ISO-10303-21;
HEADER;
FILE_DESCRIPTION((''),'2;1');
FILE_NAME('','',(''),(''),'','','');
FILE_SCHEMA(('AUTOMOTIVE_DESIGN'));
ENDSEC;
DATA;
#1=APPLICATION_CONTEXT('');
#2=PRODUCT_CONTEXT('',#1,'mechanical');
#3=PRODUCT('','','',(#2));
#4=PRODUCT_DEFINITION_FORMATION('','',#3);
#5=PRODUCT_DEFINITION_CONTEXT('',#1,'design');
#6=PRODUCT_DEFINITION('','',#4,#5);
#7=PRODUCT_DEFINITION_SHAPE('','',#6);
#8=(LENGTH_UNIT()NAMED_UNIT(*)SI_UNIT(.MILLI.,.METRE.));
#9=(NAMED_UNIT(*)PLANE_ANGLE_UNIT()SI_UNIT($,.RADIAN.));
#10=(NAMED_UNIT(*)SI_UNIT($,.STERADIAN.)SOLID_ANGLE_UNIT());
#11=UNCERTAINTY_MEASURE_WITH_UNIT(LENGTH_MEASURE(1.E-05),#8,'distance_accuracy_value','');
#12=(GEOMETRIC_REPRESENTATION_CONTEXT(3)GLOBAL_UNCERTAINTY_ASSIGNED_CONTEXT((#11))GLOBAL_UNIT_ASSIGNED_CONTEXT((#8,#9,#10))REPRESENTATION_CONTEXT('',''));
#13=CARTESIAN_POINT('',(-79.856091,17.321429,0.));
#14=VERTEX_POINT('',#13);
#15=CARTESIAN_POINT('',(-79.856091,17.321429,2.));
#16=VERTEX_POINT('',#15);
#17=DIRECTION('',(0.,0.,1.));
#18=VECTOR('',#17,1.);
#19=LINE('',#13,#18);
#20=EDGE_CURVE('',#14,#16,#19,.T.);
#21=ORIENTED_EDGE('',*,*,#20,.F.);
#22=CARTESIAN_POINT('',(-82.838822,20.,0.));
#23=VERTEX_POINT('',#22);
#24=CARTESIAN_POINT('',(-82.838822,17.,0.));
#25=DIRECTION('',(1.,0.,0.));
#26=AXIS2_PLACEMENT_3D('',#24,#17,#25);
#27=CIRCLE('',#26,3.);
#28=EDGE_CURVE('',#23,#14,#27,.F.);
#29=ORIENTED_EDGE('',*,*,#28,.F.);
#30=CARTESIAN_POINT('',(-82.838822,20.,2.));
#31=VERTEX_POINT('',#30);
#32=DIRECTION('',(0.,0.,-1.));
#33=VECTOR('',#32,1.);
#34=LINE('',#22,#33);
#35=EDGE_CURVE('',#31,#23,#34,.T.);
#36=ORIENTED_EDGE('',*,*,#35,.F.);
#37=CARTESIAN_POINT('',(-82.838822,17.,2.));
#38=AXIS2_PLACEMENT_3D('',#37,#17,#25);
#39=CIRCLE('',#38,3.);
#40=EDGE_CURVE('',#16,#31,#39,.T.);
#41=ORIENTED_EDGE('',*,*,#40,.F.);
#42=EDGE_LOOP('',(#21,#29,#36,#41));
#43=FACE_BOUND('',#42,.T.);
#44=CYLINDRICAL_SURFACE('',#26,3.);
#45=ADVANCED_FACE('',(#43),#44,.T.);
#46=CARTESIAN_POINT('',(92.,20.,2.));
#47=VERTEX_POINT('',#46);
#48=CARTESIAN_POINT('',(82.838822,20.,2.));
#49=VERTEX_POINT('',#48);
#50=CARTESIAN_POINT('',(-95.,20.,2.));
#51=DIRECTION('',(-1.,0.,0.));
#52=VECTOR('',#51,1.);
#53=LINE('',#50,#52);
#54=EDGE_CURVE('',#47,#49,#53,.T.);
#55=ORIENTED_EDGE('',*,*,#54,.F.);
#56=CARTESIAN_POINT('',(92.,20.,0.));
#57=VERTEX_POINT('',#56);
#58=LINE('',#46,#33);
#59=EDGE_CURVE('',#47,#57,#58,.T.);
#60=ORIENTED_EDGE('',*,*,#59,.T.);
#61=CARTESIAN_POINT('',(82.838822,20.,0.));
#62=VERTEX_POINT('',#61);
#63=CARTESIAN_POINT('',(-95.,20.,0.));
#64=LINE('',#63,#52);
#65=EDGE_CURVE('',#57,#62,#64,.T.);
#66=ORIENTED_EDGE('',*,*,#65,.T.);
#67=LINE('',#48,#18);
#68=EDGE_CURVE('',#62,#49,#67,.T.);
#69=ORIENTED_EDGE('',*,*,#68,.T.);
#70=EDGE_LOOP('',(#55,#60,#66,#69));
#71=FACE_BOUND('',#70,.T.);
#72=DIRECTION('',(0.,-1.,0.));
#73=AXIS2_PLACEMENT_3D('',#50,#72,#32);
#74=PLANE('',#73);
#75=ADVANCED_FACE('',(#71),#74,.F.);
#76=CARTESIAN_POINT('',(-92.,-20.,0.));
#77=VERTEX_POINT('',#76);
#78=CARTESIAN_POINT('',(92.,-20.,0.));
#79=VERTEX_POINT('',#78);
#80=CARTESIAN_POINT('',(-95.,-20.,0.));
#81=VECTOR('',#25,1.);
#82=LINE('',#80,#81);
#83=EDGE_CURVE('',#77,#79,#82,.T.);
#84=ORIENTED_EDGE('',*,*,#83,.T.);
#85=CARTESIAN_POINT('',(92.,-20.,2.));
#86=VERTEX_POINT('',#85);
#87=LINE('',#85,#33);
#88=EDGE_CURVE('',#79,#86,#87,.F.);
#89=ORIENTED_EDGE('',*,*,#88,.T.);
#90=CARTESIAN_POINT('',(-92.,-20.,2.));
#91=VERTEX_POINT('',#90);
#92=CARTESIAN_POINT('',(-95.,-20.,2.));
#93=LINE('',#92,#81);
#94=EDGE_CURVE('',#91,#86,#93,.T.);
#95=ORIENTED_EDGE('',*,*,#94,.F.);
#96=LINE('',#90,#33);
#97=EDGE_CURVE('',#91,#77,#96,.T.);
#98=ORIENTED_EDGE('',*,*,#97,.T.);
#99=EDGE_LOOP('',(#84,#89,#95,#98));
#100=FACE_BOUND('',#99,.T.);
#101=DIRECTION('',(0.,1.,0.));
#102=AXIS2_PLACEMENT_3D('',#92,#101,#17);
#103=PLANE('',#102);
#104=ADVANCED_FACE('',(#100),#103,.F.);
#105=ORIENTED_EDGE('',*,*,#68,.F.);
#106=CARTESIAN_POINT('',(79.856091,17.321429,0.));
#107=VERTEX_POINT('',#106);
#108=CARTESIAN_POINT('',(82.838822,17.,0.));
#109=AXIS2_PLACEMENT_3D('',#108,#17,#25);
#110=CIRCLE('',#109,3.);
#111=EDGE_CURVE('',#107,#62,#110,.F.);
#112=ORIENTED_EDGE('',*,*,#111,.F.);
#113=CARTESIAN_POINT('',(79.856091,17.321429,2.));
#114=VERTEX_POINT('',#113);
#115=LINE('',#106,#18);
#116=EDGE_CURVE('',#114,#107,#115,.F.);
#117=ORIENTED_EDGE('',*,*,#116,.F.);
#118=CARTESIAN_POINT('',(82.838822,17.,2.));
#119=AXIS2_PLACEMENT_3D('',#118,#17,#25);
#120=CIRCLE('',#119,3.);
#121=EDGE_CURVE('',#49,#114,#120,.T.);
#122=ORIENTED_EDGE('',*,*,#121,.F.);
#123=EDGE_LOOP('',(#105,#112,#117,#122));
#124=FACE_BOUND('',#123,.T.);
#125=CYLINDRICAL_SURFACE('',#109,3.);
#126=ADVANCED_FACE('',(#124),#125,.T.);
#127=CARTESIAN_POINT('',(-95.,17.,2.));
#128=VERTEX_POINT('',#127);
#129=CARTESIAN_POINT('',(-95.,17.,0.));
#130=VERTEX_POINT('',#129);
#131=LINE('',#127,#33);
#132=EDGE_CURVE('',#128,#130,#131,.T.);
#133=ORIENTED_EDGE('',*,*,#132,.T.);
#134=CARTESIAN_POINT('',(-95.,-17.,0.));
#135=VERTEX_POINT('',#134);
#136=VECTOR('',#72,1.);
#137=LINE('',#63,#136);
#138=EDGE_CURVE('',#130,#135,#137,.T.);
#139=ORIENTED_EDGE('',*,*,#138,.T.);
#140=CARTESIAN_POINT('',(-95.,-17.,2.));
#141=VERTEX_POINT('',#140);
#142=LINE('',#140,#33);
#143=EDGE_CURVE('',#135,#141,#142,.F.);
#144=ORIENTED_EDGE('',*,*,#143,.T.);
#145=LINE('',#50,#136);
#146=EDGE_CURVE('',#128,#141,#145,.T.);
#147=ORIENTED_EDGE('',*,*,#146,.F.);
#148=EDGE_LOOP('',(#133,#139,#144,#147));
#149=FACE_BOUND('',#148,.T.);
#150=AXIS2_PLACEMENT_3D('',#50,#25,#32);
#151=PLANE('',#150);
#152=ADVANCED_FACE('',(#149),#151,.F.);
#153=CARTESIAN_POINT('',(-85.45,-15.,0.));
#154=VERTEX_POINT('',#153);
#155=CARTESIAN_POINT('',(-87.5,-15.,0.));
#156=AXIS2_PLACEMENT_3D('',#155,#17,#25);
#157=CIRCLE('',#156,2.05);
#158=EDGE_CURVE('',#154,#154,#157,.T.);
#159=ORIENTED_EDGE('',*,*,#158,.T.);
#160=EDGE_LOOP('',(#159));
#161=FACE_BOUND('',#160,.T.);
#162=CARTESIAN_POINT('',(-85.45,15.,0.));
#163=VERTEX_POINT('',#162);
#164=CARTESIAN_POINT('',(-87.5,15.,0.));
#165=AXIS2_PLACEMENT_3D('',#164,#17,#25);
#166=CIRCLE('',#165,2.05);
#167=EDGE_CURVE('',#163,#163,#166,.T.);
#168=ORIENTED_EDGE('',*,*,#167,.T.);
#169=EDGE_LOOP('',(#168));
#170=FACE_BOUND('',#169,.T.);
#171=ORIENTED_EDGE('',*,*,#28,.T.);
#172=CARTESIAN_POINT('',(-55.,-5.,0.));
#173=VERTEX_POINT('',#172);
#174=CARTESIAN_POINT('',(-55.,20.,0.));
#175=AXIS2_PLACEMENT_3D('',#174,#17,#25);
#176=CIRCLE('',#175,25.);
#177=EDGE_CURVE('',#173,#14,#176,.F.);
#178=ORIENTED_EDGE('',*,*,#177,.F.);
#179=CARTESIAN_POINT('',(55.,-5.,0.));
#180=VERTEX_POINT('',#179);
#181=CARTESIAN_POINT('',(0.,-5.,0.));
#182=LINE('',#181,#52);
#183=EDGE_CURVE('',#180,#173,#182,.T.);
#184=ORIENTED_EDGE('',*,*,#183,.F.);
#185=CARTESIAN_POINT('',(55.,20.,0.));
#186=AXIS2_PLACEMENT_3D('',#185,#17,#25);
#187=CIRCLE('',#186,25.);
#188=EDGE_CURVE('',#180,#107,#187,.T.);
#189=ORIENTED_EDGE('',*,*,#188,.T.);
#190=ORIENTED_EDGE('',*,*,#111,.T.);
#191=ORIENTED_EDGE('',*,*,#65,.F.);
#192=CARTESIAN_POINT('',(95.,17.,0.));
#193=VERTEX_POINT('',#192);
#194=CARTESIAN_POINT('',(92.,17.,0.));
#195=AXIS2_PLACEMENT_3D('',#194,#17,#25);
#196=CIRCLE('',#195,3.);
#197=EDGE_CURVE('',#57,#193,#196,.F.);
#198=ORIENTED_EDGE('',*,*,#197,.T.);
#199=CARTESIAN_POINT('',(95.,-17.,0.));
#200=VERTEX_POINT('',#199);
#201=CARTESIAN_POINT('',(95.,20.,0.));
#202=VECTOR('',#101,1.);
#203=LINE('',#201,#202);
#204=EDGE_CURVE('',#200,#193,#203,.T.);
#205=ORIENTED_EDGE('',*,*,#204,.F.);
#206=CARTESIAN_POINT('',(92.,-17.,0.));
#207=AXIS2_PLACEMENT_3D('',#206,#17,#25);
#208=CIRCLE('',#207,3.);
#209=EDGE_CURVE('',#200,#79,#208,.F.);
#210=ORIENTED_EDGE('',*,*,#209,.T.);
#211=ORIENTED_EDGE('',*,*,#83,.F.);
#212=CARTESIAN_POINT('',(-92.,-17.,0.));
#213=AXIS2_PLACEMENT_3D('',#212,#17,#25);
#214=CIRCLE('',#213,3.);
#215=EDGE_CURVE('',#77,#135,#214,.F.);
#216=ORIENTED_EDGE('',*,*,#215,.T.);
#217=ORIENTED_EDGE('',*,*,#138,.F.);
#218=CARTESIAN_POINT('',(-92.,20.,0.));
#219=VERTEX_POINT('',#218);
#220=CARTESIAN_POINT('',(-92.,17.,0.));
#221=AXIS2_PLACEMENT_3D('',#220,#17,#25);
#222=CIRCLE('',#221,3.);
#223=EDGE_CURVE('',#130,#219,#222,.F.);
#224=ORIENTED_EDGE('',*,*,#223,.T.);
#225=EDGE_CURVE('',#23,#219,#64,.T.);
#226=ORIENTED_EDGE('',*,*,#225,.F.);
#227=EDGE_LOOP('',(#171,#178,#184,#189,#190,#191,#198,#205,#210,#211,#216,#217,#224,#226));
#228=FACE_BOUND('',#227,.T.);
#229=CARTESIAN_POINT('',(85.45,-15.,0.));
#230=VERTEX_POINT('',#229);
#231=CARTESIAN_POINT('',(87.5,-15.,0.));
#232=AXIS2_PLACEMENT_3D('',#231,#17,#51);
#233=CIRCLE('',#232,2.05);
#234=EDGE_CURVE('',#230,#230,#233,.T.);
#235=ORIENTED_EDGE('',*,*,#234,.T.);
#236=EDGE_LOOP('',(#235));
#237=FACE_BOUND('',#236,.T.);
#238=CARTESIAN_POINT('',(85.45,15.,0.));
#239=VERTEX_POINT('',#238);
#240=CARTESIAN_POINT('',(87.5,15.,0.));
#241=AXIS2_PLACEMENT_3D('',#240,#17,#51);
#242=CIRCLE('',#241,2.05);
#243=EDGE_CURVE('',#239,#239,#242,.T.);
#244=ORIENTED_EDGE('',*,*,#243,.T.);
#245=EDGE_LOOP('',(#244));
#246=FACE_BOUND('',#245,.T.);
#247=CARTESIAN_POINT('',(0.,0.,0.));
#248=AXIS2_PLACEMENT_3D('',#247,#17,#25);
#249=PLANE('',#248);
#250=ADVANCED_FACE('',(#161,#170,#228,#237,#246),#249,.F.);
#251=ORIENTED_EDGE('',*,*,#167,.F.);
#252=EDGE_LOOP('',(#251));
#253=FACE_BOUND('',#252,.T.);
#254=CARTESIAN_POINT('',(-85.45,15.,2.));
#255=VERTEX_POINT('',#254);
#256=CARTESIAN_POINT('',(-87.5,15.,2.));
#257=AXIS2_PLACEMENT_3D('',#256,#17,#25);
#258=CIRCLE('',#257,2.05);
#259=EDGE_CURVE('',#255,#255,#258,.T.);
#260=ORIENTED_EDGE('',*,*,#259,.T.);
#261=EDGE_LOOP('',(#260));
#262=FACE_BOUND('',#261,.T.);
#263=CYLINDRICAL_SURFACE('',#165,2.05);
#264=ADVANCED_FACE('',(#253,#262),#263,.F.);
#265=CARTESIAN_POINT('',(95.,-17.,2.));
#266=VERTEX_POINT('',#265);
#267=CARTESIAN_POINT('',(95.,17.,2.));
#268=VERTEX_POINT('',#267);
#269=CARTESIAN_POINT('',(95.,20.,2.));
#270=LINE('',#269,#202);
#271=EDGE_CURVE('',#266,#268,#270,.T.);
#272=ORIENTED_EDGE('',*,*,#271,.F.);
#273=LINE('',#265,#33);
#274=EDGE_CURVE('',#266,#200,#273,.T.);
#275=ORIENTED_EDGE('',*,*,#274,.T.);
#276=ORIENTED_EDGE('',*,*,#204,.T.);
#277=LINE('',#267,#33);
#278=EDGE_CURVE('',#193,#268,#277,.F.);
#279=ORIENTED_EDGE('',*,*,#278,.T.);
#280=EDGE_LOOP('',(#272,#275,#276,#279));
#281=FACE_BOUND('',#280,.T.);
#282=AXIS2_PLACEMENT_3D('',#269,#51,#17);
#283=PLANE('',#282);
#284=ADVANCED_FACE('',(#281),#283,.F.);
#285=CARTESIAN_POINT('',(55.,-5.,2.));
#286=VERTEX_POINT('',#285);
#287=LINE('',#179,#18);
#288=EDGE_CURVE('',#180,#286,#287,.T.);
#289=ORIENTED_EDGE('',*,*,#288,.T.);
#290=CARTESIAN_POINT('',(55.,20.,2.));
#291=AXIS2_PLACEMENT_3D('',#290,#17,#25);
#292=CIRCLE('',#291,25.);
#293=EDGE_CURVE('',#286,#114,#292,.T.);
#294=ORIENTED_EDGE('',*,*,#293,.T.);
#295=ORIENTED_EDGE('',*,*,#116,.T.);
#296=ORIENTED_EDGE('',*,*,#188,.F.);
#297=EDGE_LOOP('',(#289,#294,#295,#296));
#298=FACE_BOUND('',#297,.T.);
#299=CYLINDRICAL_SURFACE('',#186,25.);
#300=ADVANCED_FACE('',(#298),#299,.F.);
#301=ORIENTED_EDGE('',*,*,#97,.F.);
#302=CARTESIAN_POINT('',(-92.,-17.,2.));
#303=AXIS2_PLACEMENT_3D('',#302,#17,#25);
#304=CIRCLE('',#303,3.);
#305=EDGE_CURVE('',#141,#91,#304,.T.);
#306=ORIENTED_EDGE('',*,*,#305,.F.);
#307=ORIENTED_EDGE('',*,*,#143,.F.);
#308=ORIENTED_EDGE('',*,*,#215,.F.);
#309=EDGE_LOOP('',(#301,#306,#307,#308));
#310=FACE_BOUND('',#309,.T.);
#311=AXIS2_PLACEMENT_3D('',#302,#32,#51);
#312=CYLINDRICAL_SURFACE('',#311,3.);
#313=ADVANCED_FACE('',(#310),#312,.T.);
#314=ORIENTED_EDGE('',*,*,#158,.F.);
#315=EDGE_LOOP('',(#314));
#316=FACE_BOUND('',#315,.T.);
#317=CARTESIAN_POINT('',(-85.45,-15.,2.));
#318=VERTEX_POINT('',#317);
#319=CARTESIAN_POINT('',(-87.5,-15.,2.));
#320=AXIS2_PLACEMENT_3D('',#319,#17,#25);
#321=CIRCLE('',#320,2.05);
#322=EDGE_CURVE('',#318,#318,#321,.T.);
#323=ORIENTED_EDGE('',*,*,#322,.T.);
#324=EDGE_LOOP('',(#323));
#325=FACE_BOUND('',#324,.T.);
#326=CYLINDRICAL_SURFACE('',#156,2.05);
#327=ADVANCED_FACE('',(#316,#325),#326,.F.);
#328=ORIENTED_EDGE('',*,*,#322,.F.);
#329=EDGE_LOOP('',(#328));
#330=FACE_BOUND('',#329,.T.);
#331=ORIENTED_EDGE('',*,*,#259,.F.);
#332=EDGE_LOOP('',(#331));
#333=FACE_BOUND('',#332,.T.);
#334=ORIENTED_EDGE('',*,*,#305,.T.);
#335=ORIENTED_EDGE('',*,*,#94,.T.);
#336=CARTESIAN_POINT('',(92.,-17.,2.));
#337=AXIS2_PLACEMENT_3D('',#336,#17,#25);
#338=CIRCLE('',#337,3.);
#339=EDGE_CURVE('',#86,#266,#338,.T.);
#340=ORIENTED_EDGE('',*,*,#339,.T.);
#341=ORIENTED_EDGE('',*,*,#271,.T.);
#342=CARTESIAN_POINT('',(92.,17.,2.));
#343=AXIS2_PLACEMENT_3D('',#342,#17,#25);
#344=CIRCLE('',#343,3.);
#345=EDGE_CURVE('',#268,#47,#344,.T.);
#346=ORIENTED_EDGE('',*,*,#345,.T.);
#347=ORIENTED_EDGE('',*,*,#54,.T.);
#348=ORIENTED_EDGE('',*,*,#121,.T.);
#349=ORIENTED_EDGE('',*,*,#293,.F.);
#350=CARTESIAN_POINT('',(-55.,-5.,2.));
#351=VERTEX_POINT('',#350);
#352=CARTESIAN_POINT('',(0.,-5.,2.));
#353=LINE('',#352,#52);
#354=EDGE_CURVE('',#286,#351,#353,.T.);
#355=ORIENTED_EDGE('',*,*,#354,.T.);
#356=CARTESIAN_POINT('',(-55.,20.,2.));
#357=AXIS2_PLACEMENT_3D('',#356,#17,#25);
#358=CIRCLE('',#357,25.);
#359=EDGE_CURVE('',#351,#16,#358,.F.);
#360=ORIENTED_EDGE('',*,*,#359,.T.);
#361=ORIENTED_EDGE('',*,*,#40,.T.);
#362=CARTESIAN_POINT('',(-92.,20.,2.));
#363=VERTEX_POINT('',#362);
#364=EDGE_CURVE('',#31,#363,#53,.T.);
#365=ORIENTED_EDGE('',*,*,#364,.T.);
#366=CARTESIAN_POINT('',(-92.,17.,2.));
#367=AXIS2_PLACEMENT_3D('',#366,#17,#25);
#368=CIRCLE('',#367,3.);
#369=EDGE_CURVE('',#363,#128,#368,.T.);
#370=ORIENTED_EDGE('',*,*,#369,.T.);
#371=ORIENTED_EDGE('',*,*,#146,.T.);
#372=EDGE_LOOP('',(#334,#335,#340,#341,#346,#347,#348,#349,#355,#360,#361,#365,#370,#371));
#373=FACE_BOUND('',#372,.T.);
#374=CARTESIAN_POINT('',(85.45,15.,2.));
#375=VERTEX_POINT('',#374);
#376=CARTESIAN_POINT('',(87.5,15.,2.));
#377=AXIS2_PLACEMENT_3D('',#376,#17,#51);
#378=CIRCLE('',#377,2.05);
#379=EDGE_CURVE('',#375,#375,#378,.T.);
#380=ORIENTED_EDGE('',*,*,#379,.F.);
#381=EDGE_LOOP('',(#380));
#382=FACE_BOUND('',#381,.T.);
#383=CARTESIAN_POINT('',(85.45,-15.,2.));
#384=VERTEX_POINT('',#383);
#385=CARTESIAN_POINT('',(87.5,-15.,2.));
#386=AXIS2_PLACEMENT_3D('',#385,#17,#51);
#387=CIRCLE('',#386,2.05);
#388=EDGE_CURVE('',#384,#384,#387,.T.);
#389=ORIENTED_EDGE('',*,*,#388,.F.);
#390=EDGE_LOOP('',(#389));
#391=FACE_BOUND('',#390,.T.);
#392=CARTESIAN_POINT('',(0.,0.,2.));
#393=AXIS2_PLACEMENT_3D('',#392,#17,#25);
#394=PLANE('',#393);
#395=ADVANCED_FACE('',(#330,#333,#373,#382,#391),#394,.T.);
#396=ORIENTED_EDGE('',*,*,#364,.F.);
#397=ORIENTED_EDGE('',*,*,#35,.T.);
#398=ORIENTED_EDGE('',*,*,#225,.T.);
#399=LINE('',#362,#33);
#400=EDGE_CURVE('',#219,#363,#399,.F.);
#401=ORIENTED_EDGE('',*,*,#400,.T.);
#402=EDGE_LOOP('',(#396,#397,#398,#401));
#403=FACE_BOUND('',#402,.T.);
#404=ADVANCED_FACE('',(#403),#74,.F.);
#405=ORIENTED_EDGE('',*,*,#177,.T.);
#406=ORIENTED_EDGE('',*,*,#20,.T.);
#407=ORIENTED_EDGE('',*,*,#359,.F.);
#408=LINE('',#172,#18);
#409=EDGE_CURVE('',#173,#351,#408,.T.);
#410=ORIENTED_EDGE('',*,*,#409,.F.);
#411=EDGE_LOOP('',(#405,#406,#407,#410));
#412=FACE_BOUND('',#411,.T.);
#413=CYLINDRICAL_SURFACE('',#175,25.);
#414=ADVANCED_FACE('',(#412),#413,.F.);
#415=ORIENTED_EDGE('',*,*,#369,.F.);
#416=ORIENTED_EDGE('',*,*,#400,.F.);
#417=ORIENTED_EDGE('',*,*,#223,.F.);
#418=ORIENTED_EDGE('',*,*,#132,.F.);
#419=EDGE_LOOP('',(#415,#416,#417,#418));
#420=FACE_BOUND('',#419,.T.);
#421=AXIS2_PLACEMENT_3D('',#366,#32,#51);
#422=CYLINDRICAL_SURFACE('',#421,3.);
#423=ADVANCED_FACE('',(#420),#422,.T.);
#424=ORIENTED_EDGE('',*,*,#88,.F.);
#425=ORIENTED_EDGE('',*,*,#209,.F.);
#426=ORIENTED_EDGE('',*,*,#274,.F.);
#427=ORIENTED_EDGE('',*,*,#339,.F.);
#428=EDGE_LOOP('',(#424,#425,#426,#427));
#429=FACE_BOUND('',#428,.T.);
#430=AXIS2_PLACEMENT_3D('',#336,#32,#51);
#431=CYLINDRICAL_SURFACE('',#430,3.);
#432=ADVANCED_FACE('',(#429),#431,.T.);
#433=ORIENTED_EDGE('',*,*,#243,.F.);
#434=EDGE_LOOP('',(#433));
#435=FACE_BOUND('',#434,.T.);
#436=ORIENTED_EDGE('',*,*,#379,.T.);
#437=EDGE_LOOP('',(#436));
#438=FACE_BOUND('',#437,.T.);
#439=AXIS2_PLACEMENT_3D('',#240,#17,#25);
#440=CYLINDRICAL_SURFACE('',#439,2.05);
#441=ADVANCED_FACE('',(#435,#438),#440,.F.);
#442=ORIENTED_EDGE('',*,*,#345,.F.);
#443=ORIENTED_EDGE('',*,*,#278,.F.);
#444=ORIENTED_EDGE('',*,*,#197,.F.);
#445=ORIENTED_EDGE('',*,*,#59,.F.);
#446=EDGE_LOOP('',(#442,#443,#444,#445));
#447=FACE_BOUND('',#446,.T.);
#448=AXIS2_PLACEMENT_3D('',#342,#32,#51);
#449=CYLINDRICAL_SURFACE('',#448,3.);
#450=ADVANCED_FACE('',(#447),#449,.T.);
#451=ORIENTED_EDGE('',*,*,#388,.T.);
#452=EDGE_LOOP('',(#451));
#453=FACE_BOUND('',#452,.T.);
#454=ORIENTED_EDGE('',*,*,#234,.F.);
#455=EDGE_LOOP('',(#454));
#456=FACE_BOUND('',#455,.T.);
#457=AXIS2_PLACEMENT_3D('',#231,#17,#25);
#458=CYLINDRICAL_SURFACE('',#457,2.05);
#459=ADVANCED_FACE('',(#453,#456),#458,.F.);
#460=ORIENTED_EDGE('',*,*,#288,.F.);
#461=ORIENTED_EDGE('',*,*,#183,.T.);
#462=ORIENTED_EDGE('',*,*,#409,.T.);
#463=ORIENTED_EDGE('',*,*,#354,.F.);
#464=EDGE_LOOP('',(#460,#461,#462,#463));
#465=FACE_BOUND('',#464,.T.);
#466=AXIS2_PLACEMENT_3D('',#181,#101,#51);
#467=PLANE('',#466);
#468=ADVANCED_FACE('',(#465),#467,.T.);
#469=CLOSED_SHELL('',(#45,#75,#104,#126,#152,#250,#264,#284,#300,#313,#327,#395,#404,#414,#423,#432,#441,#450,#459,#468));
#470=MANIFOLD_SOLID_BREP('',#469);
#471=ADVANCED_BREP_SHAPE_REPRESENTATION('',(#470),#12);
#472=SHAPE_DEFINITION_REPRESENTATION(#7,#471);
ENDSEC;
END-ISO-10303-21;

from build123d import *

# Parameters (mm, degrees)
SKETCH_1_W          = 190
SKETCH_1_H          = 40
EXTRUDE_1_DEPTH     = 2
CUT_EXTRUDE_1_DEPTH = 2
SKETCH_3_R          = 2.05
CUT_EXTRUDE_2_DEPTH = 2
FILLET_1_R          = 3


with BuildPart() as part:
    # 草图1 → 凸台-拉伸1 (new body)
    with BuildSketch(Plane.XY):
        Rectangle(SKETCH_1_W, SKETCH_1_H)
    extrude(amount=EXTRUDE_1_DEPTH)

    # 草图2 → 切除-拉伸1 (cut)
    with BuildSketch(Plane.XY.offset(2)):
        with BuildLine():
            Line((0, -5), (0, 20))
            Line((0, 20), (-80, 20))
            ThreePointArc((-80, 20), (-72.67766953, 2.32233047), (-55, -5))
            Line((-55, -5), (0, -5))
        make_face()
        with BuildLine():
            Line((80, 20), (0, 20))
            Line((0, 20), (0, -5))
            Line((0, -5), (55, -5))
            ThreePointArc((55, -5), (72.67766953, 2.32233047), (80, 20))
        make_face()
    extrude(amount=-CUT_EXTRUDE_1_DEPTH, mode=Mode.SUBTRACT)

    # 草图3 → 切除-拉伸2 (cut)
    with BuildSketch(Plane.XY.offset(2)):
        with Locations((-87.5, 15)):
            Circle(SKETCH_3_R)
        with Locations((-87.5, -15)):
            Circle(SKETCH_3_R)
        with Locations(Location((87.5, -15, 0), (0, 0, 180))):
            Circle(SKETCH_3_R)
        with Locations(Location((87.5, 15, 0), (0, 0, 180))):
            Circle(SKETCH_3_R)
    extrude(amount=-CUT_EXTRUDE_2_DEPTH, mode=Mode.SUBTRACT)

    # 圆角1
    fillet_1_edges = [part.edges().sort_by_distance(p)[0] for p in [
        (-80, 20, 1),
        (80, 20, 1),
        (95, -20, 1),
        (-95, -20, 1),
        (-95, 20, 1),
        (95, 20, 1),
    ]]
    fillet(fillet_1_edges, radius=FILLET_1_R)


solid = part.part
